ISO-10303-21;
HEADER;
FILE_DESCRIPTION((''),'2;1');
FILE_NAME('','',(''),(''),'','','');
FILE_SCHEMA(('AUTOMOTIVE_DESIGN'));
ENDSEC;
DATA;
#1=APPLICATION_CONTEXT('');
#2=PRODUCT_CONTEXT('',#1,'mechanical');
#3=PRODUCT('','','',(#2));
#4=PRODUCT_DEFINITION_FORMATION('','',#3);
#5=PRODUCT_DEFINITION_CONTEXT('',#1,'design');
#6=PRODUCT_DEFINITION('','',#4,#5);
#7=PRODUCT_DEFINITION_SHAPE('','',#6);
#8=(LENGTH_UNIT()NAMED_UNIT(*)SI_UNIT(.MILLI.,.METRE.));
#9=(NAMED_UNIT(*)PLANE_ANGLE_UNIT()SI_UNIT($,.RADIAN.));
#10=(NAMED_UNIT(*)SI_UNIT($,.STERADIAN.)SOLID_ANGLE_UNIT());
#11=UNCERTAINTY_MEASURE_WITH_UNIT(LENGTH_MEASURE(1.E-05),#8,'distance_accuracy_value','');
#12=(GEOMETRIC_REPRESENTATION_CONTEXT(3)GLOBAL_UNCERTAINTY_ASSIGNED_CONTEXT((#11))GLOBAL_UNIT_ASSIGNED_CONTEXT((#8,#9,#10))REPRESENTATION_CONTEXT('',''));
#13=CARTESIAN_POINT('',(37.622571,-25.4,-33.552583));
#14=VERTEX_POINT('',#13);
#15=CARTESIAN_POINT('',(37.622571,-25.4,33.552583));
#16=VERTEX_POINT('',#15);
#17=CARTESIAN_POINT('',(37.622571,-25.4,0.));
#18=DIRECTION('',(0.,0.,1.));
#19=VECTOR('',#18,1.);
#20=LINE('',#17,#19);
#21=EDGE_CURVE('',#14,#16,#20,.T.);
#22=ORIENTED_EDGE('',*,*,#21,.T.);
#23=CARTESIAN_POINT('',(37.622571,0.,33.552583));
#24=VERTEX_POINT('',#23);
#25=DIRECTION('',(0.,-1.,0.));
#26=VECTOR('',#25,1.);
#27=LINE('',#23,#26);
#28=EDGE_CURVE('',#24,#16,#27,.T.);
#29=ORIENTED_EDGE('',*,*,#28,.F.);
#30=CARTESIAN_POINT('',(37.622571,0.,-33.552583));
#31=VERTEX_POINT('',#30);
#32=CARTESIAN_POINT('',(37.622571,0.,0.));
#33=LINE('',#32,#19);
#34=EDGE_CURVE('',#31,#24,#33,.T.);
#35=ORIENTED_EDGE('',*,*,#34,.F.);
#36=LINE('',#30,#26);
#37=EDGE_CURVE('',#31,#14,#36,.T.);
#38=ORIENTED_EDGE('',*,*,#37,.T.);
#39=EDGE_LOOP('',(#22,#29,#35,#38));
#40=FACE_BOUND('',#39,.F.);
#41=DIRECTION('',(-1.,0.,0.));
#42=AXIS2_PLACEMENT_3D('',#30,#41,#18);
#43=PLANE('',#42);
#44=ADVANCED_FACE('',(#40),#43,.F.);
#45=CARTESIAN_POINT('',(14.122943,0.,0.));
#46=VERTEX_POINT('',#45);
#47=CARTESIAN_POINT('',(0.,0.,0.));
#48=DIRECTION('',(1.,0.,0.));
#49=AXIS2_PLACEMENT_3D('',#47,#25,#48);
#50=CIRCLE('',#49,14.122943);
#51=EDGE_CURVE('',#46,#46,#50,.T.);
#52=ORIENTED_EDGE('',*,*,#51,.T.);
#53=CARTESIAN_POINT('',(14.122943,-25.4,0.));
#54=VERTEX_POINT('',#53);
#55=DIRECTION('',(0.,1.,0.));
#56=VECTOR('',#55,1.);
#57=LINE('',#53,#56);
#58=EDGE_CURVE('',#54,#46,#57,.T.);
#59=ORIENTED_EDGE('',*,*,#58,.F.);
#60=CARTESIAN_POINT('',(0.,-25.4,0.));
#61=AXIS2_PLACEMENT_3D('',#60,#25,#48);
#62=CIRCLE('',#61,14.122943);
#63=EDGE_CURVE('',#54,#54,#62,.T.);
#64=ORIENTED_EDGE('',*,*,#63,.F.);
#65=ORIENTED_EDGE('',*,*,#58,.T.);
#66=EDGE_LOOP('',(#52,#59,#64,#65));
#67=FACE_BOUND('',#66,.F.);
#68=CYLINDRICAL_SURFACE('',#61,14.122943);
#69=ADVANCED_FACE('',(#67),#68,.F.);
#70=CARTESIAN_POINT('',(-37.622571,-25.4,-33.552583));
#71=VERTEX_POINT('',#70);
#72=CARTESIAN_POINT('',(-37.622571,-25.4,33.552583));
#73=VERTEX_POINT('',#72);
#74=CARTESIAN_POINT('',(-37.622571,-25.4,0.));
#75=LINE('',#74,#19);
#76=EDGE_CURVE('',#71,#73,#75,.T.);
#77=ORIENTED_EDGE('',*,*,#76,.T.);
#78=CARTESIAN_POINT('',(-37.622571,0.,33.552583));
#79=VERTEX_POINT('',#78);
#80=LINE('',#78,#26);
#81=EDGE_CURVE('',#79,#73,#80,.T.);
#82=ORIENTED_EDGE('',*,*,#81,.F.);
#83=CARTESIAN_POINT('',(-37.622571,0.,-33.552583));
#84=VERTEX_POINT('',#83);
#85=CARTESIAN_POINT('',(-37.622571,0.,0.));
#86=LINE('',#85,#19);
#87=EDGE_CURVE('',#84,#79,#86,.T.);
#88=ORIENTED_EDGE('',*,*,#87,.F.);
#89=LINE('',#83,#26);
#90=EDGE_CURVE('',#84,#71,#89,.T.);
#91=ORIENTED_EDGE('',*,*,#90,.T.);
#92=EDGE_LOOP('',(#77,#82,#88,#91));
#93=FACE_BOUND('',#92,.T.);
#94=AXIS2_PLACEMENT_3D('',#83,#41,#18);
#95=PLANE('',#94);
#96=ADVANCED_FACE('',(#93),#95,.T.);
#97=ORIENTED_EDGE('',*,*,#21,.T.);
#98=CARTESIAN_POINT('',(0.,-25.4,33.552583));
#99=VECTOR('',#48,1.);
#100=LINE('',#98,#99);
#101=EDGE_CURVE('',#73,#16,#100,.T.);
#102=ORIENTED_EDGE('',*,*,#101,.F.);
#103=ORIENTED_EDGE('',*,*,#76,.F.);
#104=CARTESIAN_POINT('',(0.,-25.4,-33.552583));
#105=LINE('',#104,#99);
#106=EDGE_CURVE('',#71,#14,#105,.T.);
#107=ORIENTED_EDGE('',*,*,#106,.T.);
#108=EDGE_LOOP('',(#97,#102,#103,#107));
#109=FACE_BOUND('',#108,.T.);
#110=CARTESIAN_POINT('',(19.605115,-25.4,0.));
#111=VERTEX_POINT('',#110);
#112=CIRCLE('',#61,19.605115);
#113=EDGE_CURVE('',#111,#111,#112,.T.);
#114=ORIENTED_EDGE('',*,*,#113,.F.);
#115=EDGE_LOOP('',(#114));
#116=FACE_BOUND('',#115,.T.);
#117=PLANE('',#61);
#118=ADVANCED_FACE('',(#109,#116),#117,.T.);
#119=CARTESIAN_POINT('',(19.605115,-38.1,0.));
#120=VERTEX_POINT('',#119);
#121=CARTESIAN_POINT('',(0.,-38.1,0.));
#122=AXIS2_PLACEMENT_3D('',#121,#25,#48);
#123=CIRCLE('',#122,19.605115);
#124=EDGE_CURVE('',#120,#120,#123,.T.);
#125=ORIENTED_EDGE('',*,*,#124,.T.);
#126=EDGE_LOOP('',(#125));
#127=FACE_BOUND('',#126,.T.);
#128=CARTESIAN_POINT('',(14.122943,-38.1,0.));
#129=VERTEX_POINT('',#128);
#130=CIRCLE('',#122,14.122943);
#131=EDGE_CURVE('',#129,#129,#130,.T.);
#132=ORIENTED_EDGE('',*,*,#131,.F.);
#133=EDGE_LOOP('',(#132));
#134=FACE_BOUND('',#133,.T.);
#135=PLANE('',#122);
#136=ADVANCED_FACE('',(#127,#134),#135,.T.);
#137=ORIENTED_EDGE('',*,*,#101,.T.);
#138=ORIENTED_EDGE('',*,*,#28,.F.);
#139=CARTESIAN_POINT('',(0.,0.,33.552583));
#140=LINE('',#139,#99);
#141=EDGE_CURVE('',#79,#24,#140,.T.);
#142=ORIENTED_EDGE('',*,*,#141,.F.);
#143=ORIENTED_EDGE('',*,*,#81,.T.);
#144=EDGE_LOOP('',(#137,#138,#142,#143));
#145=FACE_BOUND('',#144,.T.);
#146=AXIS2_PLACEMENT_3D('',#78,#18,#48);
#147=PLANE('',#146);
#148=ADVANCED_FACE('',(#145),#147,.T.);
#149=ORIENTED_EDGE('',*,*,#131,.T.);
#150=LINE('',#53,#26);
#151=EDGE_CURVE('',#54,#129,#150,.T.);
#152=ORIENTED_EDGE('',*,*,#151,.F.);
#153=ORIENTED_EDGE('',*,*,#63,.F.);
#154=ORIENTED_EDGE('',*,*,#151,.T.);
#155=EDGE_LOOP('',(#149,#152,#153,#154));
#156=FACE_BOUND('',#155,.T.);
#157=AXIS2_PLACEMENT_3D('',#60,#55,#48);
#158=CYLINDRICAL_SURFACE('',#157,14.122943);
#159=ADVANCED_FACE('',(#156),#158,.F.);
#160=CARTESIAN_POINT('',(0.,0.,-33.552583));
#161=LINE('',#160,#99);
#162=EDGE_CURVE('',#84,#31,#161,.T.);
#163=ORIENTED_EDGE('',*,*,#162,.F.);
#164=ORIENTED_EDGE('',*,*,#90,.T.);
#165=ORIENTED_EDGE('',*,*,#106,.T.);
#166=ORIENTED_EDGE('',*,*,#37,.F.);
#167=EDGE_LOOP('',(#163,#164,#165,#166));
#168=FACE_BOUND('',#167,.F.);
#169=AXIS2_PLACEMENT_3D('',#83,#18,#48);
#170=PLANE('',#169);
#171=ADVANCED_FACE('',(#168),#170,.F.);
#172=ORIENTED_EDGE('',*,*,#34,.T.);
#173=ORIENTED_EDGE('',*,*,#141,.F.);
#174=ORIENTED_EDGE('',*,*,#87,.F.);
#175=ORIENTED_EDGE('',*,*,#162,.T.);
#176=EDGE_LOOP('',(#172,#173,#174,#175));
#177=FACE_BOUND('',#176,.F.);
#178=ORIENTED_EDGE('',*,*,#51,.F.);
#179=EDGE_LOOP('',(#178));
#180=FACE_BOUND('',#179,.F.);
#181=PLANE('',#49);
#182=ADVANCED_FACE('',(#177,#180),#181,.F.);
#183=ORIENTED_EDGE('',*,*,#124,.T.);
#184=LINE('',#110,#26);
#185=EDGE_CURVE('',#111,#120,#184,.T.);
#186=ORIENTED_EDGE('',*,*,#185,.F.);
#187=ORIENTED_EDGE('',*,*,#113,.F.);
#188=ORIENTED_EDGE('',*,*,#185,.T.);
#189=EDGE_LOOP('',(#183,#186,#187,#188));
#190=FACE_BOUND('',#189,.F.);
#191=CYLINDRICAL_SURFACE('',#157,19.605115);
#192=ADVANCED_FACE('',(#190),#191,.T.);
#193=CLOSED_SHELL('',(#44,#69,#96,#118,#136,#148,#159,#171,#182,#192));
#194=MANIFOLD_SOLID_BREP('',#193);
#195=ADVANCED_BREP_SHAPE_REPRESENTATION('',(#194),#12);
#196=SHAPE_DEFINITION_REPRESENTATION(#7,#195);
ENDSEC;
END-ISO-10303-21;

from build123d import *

# Parameters (mm, degrees)
F0_W     = 75.245142
F0_H     = 67.105166
F1_DEPTH = 25.4
F2_R     = 14.122943
F3_DEPTH = 25.401
F2_R_2   = 19.605115
F4_DEPTH = 12.7


with BuildPart() as f1:
    # F0 (on Front) → F1 (new body)
    with BuildSketch(Plane.XZ):
        Rectangle(F0_W, F0_H)
    extrude(amount=F1_DEPTH)

    # F2 (on face) → F3 (cut, through all)
    with BuildSketch(Plane.XZ.offset(25.4)):
        Circle(F2_R)
    extrude(amount=-F3_DEPTH, mode=Mode.SUBTRACT)

    # F2 (on face) → F4 (join)
    with BuildSketch(Plane.XZ.offset(25.4)):
        Circle(F2_R_2)
        Circle(F2_R, mode=Mode.SUBTRACT)
    extrude(amount=F4_DEPTH)


solid = f1.part
